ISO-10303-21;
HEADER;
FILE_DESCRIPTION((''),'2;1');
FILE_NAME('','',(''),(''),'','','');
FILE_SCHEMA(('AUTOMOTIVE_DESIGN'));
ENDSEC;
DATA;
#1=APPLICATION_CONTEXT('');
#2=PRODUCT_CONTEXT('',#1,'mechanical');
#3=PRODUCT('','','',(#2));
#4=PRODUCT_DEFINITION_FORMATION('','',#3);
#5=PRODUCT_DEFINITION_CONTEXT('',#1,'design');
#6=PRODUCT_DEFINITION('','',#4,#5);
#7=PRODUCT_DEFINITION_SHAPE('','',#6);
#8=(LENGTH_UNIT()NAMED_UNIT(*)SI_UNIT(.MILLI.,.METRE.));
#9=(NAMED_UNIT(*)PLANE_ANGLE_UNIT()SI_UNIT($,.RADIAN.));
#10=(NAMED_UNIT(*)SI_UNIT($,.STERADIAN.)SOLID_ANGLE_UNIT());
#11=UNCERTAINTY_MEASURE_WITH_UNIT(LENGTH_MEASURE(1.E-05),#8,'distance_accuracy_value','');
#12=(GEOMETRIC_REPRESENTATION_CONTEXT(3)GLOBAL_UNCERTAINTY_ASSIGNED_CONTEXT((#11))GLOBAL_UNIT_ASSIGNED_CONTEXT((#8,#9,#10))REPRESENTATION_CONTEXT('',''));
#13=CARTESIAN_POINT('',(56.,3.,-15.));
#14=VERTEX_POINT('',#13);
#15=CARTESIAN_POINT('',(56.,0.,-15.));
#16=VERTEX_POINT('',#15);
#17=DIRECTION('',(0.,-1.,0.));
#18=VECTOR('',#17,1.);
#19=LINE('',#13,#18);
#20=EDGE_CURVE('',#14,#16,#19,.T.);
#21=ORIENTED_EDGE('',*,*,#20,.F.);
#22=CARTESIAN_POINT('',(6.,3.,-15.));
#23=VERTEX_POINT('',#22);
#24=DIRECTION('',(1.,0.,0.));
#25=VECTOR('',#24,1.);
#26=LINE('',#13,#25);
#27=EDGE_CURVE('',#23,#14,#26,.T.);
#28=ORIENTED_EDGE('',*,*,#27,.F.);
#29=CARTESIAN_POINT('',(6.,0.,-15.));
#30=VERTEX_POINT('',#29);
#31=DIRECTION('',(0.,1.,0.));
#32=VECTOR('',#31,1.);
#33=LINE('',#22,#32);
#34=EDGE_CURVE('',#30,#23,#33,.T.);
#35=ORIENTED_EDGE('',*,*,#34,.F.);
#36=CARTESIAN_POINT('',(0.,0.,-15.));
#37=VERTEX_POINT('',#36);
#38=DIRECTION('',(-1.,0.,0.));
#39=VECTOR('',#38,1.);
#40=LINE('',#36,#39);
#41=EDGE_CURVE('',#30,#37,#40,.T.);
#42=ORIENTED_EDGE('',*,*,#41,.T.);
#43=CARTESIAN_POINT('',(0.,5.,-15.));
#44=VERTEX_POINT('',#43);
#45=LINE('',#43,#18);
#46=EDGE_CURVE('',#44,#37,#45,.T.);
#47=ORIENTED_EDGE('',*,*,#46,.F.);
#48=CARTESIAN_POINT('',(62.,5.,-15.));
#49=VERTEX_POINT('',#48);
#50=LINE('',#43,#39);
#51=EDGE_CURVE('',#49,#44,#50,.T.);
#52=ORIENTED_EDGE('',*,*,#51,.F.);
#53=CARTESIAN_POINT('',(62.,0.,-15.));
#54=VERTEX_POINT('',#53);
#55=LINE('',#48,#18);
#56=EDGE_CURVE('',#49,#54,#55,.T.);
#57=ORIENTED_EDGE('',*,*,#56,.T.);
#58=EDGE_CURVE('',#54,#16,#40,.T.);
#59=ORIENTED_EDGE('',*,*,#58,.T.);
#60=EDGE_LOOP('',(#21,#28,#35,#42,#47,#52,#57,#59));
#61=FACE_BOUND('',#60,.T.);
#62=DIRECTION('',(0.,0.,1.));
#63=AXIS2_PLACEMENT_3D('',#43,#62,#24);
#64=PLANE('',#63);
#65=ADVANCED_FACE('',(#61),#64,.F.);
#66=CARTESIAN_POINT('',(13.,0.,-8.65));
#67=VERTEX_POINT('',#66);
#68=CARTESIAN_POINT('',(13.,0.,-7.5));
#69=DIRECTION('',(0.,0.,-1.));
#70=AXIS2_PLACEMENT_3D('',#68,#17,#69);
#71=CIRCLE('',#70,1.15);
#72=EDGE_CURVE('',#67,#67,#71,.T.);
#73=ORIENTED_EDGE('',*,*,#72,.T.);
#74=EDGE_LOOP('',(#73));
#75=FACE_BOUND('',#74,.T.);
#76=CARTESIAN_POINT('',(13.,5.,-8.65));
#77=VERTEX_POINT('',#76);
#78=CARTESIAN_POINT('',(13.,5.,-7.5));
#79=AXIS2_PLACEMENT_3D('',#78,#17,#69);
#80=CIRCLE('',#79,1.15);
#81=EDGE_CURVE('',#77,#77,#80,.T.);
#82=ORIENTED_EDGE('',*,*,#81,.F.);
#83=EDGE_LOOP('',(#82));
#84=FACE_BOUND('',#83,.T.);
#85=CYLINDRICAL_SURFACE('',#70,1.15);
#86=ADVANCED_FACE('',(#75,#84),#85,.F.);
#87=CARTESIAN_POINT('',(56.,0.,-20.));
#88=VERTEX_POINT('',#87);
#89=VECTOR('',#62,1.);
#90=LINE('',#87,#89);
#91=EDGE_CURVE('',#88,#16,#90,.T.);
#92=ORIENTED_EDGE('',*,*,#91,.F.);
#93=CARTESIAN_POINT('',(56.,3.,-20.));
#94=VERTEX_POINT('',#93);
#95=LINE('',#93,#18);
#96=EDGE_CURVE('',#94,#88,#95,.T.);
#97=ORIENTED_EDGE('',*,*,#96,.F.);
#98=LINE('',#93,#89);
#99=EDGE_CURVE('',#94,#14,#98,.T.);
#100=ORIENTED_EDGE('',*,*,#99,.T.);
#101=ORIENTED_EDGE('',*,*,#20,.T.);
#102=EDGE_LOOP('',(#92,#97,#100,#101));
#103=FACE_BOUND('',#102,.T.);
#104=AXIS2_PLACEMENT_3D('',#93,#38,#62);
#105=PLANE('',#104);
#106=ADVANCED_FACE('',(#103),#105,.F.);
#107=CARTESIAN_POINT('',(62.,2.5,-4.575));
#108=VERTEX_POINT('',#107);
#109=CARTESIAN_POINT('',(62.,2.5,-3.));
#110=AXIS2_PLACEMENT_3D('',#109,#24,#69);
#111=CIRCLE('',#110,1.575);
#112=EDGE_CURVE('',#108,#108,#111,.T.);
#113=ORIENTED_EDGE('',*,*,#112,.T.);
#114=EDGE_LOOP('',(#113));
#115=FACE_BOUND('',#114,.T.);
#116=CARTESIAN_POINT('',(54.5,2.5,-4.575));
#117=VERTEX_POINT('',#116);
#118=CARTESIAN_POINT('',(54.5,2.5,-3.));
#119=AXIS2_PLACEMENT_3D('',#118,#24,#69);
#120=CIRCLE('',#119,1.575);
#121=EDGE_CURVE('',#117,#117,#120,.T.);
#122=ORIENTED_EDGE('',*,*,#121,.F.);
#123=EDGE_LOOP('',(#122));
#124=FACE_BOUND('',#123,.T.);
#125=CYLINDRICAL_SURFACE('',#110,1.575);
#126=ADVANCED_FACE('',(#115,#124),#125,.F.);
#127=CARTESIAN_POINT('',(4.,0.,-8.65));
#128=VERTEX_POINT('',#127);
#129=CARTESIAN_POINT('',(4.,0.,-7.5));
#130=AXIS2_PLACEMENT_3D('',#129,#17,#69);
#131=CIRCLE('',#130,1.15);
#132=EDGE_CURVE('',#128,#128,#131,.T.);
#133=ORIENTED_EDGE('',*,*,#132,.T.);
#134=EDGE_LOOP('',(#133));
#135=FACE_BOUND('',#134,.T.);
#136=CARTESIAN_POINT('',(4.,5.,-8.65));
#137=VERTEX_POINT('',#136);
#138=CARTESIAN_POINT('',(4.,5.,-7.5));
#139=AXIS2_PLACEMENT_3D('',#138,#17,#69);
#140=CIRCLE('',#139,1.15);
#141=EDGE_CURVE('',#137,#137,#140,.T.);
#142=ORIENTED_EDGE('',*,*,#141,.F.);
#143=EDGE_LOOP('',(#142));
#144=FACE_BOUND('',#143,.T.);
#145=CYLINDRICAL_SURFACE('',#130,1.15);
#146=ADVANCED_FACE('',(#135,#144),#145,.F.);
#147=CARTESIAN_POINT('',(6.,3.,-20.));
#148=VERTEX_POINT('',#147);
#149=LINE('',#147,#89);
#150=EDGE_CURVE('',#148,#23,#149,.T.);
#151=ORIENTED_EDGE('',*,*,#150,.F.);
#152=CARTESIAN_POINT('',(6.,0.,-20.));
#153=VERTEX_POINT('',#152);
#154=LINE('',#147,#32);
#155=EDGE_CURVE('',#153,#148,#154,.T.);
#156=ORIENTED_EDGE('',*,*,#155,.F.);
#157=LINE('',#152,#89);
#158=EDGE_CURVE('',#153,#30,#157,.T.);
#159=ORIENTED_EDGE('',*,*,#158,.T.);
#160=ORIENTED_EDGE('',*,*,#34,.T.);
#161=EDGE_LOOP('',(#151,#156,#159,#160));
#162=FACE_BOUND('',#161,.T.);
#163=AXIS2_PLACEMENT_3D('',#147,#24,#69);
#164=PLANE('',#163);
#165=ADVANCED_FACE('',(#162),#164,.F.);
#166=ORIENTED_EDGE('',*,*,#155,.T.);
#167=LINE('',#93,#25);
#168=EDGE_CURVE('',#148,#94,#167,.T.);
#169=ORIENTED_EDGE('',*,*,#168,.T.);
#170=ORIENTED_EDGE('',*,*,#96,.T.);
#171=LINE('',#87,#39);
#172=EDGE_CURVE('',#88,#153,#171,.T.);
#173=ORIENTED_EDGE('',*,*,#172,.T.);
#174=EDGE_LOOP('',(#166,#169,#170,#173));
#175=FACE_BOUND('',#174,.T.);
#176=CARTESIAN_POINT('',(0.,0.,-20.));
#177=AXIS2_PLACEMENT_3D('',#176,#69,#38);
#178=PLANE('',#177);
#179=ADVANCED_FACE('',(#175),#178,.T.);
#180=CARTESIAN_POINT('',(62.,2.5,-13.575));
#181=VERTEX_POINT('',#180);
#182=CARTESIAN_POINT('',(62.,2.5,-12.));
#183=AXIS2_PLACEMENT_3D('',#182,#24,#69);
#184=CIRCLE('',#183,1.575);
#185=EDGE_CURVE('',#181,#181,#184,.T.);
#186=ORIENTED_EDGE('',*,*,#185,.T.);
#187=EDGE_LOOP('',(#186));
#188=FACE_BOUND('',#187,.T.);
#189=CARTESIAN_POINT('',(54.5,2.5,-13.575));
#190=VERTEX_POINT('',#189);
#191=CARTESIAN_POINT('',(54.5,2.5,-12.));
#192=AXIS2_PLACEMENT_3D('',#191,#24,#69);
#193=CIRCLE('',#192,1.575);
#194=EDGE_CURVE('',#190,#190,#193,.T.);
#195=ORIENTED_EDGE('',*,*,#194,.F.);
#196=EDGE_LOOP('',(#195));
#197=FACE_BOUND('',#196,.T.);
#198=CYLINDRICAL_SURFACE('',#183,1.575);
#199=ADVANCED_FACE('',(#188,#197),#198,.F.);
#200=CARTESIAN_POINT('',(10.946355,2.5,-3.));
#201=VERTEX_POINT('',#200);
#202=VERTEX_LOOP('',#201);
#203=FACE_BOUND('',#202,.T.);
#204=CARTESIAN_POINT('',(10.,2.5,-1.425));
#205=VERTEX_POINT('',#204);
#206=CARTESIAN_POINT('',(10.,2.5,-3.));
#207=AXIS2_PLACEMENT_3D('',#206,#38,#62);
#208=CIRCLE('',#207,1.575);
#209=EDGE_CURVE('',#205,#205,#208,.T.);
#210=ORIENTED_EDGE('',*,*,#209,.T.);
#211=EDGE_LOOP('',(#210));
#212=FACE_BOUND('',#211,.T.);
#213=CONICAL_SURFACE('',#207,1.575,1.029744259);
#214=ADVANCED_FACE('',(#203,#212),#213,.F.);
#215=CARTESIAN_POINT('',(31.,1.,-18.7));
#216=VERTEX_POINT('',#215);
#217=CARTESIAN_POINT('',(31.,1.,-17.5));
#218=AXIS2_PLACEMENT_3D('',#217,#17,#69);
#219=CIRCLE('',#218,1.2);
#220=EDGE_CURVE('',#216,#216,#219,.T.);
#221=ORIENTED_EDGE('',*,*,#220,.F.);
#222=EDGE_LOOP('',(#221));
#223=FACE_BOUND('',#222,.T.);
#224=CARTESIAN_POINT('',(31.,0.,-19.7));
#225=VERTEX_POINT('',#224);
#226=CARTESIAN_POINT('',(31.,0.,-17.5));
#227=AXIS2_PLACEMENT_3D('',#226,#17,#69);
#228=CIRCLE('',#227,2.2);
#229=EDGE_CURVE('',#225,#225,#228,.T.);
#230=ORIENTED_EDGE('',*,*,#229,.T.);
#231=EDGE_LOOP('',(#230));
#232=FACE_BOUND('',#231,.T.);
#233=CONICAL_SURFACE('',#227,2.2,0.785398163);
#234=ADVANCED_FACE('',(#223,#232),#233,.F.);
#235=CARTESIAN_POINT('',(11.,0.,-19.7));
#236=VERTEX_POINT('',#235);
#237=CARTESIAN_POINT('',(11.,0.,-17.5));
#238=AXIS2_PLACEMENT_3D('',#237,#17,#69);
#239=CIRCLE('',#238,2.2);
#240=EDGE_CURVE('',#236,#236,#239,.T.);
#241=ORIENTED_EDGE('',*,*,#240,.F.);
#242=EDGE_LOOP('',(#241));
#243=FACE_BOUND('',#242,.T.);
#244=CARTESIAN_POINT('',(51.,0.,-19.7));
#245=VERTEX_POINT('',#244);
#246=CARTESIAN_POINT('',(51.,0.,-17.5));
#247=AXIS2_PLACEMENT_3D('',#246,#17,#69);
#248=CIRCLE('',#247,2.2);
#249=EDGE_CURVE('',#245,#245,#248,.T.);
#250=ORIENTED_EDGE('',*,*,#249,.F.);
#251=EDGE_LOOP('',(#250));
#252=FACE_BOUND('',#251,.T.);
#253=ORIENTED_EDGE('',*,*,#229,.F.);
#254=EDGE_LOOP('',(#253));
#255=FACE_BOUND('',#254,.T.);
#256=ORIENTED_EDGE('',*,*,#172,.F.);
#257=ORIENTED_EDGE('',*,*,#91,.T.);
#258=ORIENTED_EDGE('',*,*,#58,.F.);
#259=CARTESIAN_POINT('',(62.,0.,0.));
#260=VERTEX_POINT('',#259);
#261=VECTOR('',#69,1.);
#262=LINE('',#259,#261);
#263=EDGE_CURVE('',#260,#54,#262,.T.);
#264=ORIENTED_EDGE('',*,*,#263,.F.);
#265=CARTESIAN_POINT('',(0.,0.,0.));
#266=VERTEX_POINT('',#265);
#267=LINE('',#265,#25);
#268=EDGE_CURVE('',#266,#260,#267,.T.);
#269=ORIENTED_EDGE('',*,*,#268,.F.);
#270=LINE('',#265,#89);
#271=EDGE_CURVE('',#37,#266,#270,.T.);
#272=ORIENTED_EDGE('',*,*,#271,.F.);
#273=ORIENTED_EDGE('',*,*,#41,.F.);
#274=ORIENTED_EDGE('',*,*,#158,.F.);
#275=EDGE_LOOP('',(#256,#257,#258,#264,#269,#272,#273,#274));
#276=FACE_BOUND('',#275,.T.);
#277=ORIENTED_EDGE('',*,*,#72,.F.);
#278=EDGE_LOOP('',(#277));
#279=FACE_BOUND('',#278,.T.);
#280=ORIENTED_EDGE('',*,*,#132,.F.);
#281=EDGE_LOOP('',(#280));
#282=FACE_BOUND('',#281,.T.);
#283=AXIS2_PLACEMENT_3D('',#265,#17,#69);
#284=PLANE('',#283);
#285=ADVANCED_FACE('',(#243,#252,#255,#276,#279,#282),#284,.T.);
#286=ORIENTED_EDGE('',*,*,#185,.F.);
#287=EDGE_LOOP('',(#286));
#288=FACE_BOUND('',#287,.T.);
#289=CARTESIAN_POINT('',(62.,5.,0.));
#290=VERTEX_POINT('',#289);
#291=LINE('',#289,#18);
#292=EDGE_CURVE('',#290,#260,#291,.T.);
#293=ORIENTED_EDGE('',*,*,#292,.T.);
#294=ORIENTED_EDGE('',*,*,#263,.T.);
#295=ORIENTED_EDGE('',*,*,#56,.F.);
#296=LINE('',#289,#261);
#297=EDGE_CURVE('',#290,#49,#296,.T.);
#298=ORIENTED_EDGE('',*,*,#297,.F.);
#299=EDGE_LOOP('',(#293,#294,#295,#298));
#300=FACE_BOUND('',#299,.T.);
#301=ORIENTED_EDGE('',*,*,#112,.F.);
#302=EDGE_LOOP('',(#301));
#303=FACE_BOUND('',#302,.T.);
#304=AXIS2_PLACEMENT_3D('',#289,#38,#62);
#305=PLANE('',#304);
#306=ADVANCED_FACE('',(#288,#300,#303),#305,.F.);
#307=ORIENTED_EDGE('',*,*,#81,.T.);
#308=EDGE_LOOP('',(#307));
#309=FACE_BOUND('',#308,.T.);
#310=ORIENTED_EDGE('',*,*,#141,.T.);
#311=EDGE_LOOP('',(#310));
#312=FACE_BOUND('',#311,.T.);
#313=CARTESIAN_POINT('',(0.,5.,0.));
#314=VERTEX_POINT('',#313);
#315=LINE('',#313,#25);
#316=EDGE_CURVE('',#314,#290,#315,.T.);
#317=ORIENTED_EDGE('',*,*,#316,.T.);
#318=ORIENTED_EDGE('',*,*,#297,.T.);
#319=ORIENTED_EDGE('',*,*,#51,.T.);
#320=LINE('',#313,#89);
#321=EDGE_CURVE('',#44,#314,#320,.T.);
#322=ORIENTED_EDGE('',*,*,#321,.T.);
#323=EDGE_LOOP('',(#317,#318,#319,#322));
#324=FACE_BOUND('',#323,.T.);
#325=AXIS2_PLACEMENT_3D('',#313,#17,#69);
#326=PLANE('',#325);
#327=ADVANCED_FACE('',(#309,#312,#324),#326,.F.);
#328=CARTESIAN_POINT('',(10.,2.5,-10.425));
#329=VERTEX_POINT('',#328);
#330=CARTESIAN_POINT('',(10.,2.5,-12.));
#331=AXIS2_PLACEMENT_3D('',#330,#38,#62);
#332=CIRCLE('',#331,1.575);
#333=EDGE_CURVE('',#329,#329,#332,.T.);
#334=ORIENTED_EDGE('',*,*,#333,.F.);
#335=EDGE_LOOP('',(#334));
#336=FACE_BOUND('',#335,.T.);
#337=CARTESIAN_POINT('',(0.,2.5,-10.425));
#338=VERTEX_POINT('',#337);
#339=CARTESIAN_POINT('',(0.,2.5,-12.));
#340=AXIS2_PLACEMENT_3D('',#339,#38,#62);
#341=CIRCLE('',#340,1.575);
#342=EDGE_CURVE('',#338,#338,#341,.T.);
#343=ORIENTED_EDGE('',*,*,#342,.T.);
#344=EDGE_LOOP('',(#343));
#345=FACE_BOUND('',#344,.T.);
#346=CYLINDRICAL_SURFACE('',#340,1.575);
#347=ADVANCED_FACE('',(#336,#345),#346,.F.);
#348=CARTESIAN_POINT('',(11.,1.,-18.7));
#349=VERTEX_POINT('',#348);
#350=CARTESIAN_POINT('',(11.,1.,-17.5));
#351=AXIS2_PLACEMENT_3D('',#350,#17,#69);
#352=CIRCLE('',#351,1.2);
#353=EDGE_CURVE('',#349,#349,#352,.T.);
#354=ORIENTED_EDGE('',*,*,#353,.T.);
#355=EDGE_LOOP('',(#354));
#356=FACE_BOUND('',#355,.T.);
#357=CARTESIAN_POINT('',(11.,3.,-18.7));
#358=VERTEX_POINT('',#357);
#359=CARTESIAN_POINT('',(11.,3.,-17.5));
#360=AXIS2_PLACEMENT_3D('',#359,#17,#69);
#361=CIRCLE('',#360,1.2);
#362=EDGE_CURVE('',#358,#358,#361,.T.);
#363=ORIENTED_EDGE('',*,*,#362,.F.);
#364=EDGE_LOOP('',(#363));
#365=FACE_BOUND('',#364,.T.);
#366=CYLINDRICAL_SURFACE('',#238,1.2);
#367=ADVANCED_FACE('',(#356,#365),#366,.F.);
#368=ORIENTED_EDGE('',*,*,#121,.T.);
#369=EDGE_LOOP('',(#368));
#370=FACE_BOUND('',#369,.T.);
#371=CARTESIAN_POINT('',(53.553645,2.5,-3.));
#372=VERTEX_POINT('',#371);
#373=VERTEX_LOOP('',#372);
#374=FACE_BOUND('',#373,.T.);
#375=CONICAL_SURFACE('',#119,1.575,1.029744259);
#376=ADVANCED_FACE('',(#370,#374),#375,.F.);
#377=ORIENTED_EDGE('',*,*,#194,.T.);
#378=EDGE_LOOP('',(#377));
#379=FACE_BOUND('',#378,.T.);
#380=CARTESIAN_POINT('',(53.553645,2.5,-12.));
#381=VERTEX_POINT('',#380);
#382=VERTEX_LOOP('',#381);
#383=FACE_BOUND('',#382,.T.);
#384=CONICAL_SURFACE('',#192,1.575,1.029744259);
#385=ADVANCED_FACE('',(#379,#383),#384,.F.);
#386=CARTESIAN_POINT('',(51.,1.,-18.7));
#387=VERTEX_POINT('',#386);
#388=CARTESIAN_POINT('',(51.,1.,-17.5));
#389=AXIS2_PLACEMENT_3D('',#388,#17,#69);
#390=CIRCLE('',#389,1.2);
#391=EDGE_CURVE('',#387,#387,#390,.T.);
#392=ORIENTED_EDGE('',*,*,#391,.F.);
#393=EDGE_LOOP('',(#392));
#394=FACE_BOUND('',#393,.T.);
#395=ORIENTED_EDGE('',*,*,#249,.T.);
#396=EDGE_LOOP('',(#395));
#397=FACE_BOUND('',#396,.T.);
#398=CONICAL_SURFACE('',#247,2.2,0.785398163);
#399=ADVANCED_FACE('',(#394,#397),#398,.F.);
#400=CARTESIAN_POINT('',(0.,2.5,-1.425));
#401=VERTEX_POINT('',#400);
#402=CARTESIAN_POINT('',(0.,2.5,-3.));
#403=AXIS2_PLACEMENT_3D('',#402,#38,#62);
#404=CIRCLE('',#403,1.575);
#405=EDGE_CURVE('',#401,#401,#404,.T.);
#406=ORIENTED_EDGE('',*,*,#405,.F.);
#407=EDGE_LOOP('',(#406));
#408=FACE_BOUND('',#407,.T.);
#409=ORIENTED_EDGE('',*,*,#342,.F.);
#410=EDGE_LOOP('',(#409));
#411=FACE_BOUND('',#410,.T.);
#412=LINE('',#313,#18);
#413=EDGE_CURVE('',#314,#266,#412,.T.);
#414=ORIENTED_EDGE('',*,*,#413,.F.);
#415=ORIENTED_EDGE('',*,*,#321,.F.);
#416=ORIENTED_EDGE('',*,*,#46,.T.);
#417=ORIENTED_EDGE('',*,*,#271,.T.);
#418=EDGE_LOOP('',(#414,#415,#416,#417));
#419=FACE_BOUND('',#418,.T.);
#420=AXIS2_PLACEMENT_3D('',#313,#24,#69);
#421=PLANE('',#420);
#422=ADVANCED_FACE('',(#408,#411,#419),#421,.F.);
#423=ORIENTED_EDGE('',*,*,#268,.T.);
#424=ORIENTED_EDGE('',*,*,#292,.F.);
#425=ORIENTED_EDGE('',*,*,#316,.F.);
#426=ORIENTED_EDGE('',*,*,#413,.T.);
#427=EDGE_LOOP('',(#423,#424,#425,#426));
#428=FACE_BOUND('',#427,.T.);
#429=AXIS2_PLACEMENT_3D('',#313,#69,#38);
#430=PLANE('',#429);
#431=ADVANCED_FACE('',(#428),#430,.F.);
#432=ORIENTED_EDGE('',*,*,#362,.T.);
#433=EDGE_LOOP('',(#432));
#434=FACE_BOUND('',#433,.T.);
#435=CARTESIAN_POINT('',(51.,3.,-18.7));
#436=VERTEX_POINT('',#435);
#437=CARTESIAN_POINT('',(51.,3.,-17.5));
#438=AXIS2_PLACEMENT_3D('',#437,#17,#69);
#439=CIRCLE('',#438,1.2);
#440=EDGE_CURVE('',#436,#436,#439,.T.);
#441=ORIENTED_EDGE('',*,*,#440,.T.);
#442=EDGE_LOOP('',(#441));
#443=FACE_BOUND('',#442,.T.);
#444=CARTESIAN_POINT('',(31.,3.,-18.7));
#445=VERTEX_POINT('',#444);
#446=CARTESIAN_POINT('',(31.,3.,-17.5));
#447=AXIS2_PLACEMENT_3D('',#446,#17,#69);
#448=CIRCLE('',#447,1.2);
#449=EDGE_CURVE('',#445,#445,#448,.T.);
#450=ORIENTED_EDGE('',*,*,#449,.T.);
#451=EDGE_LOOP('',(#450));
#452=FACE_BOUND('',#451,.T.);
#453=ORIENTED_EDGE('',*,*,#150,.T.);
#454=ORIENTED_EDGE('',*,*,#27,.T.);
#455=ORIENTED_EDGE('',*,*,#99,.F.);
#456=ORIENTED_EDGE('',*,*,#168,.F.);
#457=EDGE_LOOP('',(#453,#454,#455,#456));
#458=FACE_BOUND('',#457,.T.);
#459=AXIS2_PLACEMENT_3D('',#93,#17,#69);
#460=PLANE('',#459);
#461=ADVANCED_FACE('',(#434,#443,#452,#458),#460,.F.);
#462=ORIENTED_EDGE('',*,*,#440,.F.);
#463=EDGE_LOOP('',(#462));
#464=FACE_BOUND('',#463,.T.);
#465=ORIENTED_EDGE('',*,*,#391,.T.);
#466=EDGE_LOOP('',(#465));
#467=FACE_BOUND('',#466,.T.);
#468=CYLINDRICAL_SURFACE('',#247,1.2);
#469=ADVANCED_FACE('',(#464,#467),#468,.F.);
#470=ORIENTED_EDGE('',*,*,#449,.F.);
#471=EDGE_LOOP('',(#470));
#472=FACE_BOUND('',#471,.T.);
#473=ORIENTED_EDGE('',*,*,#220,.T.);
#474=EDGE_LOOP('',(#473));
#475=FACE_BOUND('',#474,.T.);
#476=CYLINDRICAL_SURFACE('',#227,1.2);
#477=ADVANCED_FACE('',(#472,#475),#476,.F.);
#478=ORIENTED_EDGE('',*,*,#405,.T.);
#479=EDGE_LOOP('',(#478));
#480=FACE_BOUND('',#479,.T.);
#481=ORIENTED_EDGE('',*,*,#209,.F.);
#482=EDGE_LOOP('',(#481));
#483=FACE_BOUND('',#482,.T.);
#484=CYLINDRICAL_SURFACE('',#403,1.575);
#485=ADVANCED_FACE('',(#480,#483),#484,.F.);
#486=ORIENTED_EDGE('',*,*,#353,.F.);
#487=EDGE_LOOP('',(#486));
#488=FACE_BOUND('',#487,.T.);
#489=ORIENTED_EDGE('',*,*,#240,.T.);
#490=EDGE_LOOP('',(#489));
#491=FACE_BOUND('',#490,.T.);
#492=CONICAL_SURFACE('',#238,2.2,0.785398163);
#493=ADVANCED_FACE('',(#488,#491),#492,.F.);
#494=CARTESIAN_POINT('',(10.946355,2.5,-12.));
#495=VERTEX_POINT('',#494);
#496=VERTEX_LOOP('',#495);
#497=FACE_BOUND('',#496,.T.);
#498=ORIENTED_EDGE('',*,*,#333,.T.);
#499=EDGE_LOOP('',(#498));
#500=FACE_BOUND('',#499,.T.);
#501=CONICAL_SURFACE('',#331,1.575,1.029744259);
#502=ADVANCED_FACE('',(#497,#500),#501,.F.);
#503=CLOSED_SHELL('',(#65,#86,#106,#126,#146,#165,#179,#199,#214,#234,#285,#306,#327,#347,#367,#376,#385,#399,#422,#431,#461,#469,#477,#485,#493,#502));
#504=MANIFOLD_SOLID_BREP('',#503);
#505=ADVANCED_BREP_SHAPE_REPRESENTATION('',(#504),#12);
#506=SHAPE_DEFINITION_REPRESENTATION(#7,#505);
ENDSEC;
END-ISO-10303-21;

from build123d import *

# Parameters (mm, degrees)
ESBO_O1_W                                            = 62
ESBO_O1_H                                            = 15
RESSALTO_EXTRUS_O1_DEPTH                             = 5
FURO_ROSCADO_PARA_CONDU_TE_DE_M3X0_51_D              = 3.15
FURO_ROSCADO_PARA_CONDU_TE_DE_M3X0_51_DEPTH          = 10
FURO_ROSCADO_PARA_CONDU_TE_DE_M3X0_51_TIP            = 0.946355475
FURO_ROSCADO_PARA_CONDU_TE_DE_M3X0_52_D              = 3.15
FURO_ROSCADO_PARA_CONDU_TE_DE_M3X0_52_DEPTH          = 7.5
FURO_ROSCADO_PARA_CONDU_TE_DE_M3X0_52_TIP            = 0.946355475
FURO_ROSCADO_PARA_CONDU_TE_DE_M2_2X0_451_D           = 2.3
ESBO_O12_W                                           = 50
ESBO_O12_H                                           = 3
RESSALTO_EXTRUS_O2_DEPTH                             = 5
ESCAREADO_PARA_PARAFUSO_DE_M_QUINA_COM_C_D           = 2.4
ESCAREADO_PARA_PARAFUSO_DE_M_QUINA_COM_C_CSINK_D     = 4.4
ESCAREADO_PARA_PARAFUSO_DE_M_QUINA_COM_C_CSINK_ANGLE = 90


with BuildPart() as part:
    # Esboço1 → Ressalto-extrusão1 (new body)
    with BuildSketch(Plane(origin=(0, 0, 0), x_dir=(1, 0, 0), z_dir=(0, 1, 0))):
        with Locations((31, 7.5)):
            Rectangle(ESBO_O1_W, ESBO_O1_H)
    extrude(amount=RESSALTO_EXTRUS_O1_DEPTH)

    # Furo roscado para conduíte de M3x0.51
    with Locations(Plane.ZY):
        with Locations((-12, 2.5), (-3, 2.5)):
            Hole(FURO_ROSCADO_PARA_CONDU_TE_DE_M3X0_51_D / 2, depth=FURO_ROSCADO_PARA_CONDU_TE_DE_M3X0_51_DEPTH)
            with Locations((0, 0, -(FURO_ROSCADO_PARA_CONDU_TE_DE_M3X0_51_DEPTH + FURO_ROSCADO_PARA_CONDU_TE_DE_M3X0_51_TIP / 2))):  # 118° drill point
                Cone(0, FURO_ROSCADO_PARA_CONDU_TE_DE_M3X0_51_D / 2, FURO_ROSCADO_PARA_CONDU_TE_DE_M3X0_51_TIP, mode=Mode.SUBTRACT)

    # Furo roscado para conduíte de M3x0.52
    with Locations(Plane(origin=(62, 0, 0), x_dir=(0, 0, -1), z_dir=(1, 0, 0))):
        with Locations((3, 2.5), (12, 2.5)):
            Hole(FURO_ROSCADO_PARA_CONDU_TE_DE_M3X0_52_D / 2, depth=FURO_ROSCADO_PARA_CONDU_TE_DE_M3X0_52_DEPTH)
            with Locations((0, 0, -(FURO_ROSCADO_PARA_CONDU_TE_DE_M3X0_52_DEPTH + FURO_ROSCADO_PARA_CONDU_TE_DE_M3X0_52_TIP / 2))):  # 118° drill point
                Cone(0, FURO_ROSCADO_PARA_CONDU_TE_DE_M3X0_52_D / 2, FURO_ROSCADO_PARA_CONDU_TE_DE_M3X0_52_TIP, mode=Mode.SUBTRACT)

    # Furo roscado para conduíte de M2.2x0.451 (through all)
    with Locations(Plane(origin=(0, 0, 0), x_dir=(-1, 0, 0), z_dir=(0, -1, 0))):
        with Locations((-4, 7.5), (-13, 7.5)):
            Hole(FURO_ROSCADO_PARA_CONDU_TE_DE_M2_2X0_451_D / 2)

    # Esboço12 → Ressalto-extrusão2 (add)
    with BuildSketch(Plane(origin=(0, 0, -15), x_dir=(-1, 0, 0), z_dir=(0, 0, -1))):
        with Locations((-31, 1.5)):
            Rectangle(ESBO_O12_W, ESBO_O12_H)
    extrude(amount=RESSALTO_EXTRUS_O2_DEPTH)

    # Escareado para parafuso de máquina com cabeça chata de M21 (through all)
    with Locations(Plane(origin=(0, 0, 0), x_dir=(-1, 0, 0), z_dir=(0, -1, 0))):
        with Locations((-11, 17.5), (-51, 17.5), (-31, 17.5)):
            CounterSinkHole(ESCAREADO_PARA_PARAFUSO_DE_M_QUINA_COM_C_D / 2, ESCAREADO_PARA_PARAFUSO_DE_M_QUINA_COM_C_CSINK_D / 2, counter_sink_angle=ESCAREADO_PARA_PARAFUSO_DE_M_QUINA_COM_C_CSINK_ANGLE)


solid = part.part
